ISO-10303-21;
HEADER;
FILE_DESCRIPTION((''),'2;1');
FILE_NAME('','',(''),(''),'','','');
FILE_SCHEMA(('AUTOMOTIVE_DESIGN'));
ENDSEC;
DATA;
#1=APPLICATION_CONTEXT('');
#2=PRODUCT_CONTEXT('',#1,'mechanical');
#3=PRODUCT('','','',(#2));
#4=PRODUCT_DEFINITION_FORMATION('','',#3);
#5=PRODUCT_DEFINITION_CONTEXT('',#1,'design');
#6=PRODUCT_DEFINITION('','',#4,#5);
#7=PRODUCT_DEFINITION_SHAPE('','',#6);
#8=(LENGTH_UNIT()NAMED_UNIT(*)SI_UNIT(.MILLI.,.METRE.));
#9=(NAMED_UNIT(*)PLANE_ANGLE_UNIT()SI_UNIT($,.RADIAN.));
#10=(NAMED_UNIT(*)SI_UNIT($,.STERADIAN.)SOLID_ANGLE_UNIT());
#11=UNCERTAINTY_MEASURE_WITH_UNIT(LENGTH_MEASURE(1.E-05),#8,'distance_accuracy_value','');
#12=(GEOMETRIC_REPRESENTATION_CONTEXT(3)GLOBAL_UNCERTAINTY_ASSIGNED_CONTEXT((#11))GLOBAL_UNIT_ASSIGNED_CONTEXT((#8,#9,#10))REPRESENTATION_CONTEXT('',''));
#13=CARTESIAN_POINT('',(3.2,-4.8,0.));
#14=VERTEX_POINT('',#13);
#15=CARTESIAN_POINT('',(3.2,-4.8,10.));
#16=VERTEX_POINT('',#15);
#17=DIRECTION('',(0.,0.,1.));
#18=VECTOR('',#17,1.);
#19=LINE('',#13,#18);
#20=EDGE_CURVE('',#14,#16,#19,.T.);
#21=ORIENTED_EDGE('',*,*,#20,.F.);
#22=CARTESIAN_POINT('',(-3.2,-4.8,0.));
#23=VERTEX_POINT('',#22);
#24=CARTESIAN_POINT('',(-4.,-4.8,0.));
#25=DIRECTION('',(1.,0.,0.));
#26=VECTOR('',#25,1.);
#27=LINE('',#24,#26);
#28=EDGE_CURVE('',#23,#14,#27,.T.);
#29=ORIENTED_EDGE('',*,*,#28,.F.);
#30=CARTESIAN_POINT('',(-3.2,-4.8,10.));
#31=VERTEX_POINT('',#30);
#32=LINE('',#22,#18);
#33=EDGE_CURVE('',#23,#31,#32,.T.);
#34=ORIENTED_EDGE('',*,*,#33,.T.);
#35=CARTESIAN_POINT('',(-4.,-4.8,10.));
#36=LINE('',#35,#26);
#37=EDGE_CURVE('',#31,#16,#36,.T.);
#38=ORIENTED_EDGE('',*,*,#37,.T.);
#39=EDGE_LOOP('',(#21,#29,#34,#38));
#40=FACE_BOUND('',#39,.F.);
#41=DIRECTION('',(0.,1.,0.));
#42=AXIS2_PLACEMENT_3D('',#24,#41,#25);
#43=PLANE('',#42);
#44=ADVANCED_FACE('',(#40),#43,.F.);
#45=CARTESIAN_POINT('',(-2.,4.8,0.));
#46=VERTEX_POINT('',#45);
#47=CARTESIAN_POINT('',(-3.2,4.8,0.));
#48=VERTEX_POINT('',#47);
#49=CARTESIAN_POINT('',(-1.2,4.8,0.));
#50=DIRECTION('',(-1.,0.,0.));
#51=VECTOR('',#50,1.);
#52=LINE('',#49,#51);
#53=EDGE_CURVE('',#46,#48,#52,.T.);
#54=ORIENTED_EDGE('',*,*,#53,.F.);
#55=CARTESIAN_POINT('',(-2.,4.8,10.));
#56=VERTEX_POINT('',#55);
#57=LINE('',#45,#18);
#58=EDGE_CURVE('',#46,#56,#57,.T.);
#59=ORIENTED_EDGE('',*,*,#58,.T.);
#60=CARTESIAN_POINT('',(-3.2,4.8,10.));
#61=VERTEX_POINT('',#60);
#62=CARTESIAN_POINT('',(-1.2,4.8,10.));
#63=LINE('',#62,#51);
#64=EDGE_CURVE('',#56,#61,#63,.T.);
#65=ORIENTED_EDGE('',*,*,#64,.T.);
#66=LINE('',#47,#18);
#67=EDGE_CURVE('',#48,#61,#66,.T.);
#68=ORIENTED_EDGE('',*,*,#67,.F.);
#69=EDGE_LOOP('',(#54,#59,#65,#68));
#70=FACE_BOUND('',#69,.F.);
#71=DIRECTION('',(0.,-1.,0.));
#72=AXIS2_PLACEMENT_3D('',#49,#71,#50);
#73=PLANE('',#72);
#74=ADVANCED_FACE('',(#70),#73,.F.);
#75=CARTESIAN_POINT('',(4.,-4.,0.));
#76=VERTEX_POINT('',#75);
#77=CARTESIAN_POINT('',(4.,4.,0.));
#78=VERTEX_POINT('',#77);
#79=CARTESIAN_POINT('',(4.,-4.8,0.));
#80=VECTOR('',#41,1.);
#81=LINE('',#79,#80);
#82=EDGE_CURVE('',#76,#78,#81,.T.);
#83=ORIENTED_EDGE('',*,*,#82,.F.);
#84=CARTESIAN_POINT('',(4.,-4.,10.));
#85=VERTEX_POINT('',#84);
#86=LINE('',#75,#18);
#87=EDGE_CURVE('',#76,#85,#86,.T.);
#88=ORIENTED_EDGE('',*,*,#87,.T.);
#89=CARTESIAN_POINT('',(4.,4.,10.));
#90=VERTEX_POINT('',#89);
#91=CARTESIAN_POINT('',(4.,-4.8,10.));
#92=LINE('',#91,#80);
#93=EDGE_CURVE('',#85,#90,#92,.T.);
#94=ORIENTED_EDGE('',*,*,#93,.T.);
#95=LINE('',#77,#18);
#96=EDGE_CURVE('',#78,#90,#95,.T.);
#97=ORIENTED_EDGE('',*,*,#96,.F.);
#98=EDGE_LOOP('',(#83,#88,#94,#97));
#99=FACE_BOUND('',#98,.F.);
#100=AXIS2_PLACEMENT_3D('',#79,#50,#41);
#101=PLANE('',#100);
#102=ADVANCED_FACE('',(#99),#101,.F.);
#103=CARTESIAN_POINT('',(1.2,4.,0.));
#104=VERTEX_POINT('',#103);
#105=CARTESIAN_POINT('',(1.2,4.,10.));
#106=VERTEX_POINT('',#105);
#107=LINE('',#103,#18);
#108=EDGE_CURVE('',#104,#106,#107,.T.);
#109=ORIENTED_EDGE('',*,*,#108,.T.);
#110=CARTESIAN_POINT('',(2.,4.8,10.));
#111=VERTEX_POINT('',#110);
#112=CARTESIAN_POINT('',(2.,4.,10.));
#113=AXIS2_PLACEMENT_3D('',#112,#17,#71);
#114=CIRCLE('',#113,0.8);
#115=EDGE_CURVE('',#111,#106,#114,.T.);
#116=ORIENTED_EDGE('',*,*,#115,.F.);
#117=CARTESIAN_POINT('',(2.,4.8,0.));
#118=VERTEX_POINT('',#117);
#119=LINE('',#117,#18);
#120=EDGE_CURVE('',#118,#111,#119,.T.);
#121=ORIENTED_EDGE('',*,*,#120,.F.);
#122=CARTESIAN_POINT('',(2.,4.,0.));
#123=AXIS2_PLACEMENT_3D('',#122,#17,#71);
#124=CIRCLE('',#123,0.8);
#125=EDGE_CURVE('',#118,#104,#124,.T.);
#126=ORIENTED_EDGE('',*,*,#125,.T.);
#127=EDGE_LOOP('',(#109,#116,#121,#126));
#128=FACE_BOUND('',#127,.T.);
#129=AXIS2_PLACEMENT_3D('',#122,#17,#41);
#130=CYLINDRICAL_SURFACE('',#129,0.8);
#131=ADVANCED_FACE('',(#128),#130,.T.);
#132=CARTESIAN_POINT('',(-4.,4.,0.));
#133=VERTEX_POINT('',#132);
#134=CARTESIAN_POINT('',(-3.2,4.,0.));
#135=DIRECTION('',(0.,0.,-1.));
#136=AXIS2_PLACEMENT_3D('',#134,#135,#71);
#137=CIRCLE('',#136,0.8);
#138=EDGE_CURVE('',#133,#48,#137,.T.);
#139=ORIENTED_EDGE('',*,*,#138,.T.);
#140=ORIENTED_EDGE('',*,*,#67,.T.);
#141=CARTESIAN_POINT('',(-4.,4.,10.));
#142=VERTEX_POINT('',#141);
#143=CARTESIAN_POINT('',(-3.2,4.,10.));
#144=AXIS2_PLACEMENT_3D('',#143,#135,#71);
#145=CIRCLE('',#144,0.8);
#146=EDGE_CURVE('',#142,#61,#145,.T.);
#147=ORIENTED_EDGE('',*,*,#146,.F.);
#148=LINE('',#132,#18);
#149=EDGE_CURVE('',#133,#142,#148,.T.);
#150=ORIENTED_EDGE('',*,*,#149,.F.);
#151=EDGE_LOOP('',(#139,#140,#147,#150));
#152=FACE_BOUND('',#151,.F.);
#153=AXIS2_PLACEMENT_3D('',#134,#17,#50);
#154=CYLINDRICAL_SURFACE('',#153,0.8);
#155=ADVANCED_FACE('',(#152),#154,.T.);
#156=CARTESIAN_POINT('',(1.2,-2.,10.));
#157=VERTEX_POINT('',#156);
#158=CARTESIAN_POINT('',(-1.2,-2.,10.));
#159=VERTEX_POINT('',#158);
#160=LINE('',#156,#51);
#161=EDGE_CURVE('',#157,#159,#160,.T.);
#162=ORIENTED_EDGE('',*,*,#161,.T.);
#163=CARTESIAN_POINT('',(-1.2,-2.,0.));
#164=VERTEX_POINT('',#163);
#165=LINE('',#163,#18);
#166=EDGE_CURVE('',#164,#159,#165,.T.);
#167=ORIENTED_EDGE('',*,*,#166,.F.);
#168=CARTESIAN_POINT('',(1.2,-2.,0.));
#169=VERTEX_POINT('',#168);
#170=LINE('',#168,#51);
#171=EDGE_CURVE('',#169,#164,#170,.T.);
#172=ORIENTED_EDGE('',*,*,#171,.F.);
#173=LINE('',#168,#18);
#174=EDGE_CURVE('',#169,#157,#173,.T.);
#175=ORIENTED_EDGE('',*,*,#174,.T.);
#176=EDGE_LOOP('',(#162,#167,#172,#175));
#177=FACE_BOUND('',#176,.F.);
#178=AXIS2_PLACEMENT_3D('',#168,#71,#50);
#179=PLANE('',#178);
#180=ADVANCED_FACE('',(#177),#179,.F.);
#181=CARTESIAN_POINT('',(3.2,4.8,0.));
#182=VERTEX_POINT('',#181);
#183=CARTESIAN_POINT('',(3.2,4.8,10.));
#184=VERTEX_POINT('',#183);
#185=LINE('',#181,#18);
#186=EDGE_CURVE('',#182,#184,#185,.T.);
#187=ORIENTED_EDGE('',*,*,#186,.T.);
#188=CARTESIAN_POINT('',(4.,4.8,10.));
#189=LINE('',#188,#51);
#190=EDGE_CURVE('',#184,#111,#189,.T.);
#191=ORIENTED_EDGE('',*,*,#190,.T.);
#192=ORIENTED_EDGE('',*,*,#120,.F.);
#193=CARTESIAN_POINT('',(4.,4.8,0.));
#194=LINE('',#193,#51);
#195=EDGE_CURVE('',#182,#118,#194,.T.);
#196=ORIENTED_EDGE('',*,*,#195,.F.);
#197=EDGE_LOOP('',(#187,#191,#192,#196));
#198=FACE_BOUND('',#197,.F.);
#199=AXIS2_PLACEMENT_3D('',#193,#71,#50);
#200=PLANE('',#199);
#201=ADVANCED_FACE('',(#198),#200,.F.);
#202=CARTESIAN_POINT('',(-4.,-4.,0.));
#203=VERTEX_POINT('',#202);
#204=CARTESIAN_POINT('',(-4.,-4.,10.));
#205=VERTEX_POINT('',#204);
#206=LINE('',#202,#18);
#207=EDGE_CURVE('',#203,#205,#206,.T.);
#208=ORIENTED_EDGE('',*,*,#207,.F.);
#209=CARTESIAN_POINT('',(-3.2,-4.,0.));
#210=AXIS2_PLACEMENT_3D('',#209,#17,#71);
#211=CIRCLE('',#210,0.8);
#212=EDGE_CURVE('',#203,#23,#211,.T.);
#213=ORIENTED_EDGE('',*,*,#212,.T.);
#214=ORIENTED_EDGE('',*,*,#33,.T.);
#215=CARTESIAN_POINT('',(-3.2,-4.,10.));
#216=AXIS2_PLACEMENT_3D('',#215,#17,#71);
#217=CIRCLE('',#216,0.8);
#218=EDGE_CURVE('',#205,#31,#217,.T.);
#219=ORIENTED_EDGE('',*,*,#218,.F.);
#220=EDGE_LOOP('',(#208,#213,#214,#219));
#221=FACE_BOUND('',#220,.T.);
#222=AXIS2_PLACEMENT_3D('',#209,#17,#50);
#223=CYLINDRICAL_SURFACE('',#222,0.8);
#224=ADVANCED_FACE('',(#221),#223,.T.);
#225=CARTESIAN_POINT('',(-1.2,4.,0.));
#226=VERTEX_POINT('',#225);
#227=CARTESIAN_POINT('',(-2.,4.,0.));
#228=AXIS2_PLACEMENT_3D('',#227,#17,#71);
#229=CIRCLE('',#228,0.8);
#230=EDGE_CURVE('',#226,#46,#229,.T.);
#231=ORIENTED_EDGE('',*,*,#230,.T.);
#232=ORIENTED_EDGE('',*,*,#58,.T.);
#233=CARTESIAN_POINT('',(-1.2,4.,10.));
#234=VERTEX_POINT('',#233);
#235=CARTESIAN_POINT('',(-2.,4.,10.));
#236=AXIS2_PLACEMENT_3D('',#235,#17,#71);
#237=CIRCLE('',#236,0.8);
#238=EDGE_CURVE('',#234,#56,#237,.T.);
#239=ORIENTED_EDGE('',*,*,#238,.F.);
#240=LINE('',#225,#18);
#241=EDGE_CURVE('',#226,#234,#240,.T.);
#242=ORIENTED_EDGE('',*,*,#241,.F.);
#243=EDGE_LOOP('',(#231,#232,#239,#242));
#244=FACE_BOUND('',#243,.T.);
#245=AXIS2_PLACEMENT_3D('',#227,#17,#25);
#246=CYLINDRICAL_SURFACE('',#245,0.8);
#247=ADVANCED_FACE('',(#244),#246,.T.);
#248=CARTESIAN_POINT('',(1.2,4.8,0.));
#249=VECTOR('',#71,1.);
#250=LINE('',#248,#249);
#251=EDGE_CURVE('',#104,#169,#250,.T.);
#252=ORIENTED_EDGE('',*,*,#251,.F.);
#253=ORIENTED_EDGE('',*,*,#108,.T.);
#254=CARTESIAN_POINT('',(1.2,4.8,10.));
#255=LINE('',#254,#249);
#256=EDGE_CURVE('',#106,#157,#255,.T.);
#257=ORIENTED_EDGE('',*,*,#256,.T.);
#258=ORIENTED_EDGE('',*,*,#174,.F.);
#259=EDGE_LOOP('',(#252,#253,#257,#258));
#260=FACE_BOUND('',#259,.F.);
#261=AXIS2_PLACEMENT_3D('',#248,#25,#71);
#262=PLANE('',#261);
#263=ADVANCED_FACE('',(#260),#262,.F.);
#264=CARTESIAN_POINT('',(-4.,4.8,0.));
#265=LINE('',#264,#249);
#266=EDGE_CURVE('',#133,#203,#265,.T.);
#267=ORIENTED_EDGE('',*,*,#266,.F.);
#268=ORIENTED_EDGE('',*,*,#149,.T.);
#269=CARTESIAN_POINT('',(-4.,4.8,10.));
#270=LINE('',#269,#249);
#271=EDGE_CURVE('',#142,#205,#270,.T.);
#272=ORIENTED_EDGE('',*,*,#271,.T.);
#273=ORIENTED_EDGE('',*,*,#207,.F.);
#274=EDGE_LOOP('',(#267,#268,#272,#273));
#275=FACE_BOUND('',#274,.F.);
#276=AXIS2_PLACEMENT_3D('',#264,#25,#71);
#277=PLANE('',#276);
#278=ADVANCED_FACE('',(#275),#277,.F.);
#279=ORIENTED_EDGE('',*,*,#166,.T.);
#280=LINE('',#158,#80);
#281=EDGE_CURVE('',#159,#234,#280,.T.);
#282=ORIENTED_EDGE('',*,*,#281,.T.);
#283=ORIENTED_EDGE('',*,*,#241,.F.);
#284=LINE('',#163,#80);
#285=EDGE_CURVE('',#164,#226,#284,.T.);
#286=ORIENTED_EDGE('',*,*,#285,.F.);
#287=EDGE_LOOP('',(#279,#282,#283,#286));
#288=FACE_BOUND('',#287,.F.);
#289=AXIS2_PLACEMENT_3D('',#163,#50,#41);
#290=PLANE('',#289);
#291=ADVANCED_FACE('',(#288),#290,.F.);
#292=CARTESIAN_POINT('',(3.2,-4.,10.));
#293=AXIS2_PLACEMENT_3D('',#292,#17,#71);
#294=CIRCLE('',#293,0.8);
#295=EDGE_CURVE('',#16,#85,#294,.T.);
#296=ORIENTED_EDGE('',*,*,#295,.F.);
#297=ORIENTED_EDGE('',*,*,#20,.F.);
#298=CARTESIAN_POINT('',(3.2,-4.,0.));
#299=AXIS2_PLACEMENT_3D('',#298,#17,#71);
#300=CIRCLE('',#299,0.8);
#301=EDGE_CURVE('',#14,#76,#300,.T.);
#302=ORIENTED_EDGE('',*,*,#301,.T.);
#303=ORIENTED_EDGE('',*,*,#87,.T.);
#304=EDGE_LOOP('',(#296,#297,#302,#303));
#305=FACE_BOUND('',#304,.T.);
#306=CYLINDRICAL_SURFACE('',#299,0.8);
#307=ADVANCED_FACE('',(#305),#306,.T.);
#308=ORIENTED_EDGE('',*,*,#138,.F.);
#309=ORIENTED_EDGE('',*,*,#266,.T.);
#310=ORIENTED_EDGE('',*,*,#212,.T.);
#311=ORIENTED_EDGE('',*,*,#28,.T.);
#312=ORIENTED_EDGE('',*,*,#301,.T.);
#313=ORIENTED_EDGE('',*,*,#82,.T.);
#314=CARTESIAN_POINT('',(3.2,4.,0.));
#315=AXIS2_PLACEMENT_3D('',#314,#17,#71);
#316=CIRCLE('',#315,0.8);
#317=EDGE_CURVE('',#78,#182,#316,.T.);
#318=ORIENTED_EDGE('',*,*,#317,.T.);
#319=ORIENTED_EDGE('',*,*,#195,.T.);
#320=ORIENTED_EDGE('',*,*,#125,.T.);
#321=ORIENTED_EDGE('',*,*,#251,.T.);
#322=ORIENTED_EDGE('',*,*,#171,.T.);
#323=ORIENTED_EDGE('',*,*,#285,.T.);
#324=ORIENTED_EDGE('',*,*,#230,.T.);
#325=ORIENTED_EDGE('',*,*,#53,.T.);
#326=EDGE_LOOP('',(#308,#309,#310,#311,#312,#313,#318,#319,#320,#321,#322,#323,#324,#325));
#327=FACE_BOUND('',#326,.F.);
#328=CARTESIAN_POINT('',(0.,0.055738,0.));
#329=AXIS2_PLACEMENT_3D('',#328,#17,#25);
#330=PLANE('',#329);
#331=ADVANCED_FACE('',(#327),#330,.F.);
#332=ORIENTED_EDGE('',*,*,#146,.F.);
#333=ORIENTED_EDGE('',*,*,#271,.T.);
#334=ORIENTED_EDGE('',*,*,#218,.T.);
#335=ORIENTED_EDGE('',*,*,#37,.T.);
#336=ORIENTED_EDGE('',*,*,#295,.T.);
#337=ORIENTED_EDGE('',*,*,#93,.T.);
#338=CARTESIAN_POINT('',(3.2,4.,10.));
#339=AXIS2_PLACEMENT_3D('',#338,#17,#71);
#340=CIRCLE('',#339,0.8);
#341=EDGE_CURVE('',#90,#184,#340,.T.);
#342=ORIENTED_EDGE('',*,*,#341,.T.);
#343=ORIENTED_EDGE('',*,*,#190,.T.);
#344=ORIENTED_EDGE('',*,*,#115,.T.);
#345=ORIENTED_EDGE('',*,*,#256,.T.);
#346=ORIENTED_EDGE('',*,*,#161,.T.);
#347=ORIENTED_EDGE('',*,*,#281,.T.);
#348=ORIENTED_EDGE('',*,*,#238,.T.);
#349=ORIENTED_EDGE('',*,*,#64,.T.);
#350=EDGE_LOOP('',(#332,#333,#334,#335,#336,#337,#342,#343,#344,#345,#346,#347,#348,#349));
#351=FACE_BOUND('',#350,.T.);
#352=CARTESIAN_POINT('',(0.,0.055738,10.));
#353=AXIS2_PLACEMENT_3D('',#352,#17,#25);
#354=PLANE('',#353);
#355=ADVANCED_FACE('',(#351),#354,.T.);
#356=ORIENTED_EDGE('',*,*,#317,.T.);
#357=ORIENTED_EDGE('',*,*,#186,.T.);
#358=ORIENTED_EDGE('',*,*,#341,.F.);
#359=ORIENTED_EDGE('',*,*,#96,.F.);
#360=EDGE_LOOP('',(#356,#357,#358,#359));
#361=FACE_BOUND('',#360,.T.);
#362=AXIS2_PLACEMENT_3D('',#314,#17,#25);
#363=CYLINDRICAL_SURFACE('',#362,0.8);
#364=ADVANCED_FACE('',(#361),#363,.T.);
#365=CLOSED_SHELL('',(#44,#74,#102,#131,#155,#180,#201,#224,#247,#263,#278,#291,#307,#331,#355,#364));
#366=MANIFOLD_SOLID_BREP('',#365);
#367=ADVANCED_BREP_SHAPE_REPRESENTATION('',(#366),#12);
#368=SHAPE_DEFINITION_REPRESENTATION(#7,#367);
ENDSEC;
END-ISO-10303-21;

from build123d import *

# Parameters (mm, degrees)
PAD_DEPTH = 10
FILLET_R  = 0.8


with BuildPart() as part:
    # Sketch → Pad (new body)
    with BuildSketch(Plane.XY):
        Polygon((-4, 4.8), (-4, -4.8), (4, -4.8), (4, 4.8), (1.2, 4.8), (1.2, -2), (-1.2, -2), (-1.2, 4.8), align=None)
    extrude(amount=PAD_DEPTH)

    # Fillet
    fillet_edges = [part.edges().sort_by_distance(p)[0] for p in [
        (-4, -4.8, 5),
        (4, -4.8, 5),
        (4, 4.8, 5),
        (1.2, 4.8, 5),
        (-4, 4.8, 5),
        (-1.2, 4.8, 5),
    ]]
    fillet(fillet_edges, radius=FILLET_R)


solid = part.part
